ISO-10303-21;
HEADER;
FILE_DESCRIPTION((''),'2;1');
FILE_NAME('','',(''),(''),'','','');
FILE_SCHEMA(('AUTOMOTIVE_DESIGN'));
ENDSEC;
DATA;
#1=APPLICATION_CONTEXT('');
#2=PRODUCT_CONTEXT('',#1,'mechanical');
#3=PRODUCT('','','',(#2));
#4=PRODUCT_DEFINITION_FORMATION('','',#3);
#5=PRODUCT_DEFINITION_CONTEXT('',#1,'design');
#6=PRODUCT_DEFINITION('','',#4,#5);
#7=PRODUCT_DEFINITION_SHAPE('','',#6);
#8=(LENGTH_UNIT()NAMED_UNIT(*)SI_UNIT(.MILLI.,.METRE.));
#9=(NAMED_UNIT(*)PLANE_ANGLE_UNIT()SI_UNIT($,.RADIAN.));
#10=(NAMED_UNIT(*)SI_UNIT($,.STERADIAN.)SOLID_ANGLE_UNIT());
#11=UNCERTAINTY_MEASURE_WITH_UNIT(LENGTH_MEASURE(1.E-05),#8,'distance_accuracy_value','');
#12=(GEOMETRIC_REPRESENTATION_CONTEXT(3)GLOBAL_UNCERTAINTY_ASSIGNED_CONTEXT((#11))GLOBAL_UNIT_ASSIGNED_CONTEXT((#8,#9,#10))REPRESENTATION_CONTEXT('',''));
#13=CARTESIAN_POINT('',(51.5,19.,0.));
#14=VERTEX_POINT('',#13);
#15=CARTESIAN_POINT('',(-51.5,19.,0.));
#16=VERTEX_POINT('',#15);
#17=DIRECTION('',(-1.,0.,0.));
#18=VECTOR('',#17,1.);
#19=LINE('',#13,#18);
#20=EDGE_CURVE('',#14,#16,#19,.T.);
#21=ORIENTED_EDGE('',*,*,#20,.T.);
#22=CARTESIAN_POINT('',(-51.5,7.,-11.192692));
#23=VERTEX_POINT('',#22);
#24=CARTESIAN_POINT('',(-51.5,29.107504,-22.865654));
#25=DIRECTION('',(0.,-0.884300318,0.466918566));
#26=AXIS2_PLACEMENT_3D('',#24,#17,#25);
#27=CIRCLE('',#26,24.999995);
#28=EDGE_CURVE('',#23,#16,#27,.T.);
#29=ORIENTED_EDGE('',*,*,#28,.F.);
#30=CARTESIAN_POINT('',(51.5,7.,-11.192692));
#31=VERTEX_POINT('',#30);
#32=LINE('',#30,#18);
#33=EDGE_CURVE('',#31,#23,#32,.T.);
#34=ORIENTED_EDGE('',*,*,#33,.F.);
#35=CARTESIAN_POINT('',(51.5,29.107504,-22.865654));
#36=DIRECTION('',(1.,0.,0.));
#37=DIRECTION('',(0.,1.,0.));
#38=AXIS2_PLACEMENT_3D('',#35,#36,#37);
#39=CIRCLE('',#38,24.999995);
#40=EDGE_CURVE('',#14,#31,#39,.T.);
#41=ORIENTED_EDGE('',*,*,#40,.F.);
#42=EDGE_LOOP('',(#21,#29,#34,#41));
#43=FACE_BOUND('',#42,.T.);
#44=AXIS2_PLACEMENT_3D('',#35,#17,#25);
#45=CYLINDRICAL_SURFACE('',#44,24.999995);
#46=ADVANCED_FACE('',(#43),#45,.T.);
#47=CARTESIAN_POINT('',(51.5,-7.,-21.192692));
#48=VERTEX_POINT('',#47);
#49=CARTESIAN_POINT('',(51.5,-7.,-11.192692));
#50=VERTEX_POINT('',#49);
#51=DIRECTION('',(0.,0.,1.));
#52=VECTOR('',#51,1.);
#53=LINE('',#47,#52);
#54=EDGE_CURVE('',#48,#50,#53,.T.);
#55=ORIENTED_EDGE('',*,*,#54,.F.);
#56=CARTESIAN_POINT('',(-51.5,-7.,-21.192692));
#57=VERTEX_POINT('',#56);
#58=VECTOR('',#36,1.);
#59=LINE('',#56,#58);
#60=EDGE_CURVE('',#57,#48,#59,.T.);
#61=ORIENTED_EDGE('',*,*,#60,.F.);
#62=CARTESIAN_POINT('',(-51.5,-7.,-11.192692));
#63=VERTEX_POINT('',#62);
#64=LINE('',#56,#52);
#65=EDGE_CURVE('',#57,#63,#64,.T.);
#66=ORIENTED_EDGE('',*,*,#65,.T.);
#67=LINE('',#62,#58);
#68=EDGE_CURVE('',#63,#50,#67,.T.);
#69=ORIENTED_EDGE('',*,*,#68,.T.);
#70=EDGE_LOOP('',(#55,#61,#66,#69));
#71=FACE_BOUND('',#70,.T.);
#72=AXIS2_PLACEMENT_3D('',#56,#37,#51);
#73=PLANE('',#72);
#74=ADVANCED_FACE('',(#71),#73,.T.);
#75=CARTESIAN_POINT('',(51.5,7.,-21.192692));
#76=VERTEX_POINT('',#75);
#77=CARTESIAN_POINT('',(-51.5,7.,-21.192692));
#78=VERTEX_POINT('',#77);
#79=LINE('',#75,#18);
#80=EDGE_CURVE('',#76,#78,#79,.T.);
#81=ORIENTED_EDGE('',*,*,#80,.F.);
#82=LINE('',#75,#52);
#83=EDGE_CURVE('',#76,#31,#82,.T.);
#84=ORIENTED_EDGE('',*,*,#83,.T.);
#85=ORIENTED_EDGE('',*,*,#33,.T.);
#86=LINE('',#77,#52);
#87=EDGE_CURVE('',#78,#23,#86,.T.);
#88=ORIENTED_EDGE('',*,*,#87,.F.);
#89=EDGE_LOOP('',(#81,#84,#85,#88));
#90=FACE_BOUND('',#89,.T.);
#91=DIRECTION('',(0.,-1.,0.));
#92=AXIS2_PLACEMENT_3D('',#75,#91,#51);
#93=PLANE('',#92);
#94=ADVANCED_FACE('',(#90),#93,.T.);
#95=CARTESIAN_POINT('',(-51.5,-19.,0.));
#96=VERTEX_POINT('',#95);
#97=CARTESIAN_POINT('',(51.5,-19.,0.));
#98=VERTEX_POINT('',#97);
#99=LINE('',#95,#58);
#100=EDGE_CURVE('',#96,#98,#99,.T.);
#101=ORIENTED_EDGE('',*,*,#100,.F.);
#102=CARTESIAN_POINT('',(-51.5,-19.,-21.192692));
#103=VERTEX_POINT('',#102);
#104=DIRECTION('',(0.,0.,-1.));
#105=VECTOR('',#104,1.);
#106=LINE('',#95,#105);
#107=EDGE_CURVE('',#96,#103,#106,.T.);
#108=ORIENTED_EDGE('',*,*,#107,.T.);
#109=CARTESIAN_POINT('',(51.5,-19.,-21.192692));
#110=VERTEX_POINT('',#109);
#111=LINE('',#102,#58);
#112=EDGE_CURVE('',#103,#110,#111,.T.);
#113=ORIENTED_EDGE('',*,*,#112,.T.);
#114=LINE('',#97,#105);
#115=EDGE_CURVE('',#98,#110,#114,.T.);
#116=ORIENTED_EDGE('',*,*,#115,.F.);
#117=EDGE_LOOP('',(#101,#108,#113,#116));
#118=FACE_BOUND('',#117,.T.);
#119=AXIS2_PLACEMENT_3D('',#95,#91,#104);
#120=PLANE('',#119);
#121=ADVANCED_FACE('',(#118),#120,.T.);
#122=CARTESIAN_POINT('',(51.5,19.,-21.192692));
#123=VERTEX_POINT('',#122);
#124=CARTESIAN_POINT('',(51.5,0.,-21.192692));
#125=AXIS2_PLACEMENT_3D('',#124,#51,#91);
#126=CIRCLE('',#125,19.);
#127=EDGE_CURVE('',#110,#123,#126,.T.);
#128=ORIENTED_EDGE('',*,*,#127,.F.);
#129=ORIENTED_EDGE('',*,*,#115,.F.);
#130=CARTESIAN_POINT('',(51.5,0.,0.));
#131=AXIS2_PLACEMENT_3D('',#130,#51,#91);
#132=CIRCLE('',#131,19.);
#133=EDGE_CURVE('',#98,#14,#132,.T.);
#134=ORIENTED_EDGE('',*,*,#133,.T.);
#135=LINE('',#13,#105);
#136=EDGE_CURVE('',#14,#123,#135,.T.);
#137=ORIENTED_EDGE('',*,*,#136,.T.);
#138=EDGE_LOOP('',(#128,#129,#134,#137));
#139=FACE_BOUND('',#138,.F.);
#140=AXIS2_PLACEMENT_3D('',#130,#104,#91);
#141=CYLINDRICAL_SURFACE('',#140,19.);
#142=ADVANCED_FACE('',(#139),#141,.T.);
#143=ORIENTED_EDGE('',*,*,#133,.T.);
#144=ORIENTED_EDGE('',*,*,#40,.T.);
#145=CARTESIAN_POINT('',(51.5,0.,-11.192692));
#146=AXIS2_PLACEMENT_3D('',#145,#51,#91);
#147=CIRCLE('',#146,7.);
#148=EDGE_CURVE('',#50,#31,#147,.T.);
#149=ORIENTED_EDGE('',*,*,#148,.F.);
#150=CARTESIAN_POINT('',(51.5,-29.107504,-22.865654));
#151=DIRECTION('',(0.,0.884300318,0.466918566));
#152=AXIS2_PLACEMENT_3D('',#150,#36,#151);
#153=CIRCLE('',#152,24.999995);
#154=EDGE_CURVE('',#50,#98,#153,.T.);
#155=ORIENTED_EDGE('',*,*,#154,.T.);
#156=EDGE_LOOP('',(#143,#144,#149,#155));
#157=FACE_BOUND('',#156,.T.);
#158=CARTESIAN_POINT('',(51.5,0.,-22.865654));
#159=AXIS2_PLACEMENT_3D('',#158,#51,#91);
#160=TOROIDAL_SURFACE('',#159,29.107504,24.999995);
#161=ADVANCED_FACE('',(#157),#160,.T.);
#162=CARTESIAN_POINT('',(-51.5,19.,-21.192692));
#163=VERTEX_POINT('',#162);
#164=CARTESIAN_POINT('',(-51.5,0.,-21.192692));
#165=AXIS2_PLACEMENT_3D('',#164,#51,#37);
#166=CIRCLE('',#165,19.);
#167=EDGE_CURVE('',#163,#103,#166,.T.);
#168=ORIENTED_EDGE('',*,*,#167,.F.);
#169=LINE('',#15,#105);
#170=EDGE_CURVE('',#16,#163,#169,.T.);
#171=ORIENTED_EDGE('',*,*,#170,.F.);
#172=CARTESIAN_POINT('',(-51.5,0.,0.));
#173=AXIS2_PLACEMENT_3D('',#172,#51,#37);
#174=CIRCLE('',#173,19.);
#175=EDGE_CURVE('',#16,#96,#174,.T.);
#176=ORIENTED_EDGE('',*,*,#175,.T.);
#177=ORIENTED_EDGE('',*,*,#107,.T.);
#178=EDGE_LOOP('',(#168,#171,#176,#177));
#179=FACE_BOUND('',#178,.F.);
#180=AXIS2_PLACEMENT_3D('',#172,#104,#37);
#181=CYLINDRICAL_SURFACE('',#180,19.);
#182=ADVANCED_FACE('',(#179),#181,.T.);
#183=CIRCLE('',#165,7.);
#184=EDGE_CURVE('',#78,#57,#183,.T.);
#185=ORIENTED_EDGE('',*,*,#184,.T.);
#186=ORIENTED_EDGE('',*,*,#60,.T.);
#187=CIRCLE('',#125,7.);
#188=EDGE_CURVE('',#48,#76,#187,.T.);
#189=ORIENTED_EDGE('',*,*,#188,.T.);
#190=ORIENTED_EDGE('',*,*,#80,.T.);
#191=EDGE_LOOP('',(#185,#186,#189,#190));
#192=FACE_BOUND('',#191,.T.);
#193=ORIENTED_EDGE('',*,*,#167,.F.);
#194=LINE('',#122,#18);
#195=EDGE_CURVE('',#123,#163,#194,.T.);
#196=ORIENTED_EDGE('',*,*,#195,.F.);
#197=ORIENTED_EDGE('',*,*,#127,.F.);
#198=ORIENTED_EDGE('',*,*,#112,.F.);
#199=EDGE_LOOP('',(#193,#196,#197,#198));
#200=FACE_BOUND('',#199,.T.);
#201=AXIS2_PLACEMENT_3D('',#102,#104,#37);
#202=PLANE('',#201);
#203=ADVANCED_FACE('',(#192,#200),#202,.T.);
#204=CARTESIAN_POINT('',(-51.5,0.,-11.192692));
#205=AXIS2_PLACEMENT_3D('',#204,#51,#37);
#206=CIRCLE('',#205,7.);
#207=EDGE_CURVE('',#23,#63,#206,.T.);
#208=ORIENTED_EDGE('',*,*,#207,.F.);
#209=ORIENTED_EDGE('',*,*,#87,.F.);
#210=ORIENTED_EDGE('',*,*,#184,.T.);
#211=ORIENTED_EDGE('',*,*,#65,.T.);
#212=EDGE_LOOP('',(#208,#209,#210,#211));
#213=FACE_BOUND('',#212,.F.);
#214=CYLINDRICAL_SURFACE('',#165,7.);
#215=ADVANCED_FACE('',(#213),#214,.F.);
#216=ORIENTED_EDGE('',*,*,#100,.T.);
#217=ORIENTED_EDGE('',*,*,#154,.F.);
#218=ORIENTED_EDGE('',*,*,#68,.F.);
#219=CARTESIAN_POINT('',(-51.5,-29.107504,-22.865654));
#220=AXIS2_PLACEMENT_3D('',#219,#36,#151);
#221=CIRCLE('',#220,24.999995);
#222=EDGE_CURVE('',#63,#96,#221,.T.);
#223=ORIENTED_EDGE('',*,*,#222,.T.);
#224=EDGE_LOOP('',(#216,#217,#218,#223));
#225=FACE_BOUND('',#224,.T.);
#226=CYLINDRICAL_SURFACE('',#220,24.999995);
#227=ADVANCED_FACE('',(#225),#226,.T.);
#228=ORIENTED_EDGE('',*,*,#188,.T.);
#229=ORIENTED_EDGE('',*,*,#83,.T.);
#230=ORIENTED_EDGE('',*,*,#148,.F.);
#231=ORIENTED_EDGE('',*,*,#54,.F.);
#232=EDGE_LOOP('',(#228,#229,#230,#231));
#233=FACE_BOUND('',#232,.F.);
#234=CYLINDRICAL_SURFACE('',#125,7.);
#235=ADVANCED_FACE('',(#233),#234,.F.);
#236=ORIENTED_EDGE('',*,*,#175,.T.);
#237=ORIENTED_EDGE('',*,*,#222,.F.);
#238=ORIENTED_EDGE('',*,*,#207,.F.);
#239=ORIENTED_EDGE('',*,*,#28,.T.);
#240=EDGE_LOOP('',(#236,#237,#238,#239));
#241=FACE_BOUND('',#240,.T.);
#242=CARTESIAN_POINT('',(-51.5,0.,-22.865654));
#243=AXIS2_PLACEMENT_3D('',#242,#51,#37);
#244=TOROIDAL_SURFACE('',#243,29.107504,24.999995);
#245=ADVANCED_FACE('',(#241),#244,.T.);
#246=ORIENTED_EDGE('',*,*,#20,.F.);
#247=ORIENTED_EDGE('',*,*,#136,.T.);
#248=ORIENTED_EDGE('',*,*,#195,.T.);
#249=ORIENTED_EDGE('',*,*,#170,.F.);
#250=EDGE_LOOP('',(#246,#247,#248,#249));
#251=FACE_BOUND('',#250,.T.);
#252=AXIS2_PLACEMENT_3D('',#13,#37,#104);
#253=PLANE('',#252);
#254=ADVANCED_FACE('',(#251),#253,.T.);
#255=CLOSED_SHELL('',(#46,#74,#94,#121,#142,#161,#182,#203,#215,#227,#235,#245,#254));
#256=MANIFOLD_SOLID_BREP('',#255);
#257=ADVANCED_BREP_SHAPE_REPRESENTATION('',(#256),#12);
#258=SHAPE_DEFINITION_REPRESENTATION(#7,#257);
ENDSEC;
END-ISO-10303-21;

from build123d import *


with BuildPart() as f2:
    # F2: sweep along a path in F0
    with BuildLine(Plane.XY) as f2_path:
        Line((-51.5, -19), (51.5, -19))
        ThreePointArc((51.5, -19), (70.5, 0), (51.5, 19))
        Line((51.5, 19), (-51.5, 19))
        ThreePointArc((-51.5, 19), (-70.5, 0), (-51.5, -19))
    # F1 (on Right) → F2 (sweep)
    with BuildSketch(Plane.YZ):
        with BuildLine():
            Line((-7, -21.192692), (-7, -11.192692))
            ThreePointArc((-7, -11.192692), (-12.055502, -4.583723), (-19, 0))
            Line((-19, 0), (-19, -11.192692))
            Line((-19, -11.192692), (-19, -21.192692))
            Line((-19, -21.192692), (-7, -21.192692))
        make_face()
    sweep(path=f2_path.line)


solid = f2.part
